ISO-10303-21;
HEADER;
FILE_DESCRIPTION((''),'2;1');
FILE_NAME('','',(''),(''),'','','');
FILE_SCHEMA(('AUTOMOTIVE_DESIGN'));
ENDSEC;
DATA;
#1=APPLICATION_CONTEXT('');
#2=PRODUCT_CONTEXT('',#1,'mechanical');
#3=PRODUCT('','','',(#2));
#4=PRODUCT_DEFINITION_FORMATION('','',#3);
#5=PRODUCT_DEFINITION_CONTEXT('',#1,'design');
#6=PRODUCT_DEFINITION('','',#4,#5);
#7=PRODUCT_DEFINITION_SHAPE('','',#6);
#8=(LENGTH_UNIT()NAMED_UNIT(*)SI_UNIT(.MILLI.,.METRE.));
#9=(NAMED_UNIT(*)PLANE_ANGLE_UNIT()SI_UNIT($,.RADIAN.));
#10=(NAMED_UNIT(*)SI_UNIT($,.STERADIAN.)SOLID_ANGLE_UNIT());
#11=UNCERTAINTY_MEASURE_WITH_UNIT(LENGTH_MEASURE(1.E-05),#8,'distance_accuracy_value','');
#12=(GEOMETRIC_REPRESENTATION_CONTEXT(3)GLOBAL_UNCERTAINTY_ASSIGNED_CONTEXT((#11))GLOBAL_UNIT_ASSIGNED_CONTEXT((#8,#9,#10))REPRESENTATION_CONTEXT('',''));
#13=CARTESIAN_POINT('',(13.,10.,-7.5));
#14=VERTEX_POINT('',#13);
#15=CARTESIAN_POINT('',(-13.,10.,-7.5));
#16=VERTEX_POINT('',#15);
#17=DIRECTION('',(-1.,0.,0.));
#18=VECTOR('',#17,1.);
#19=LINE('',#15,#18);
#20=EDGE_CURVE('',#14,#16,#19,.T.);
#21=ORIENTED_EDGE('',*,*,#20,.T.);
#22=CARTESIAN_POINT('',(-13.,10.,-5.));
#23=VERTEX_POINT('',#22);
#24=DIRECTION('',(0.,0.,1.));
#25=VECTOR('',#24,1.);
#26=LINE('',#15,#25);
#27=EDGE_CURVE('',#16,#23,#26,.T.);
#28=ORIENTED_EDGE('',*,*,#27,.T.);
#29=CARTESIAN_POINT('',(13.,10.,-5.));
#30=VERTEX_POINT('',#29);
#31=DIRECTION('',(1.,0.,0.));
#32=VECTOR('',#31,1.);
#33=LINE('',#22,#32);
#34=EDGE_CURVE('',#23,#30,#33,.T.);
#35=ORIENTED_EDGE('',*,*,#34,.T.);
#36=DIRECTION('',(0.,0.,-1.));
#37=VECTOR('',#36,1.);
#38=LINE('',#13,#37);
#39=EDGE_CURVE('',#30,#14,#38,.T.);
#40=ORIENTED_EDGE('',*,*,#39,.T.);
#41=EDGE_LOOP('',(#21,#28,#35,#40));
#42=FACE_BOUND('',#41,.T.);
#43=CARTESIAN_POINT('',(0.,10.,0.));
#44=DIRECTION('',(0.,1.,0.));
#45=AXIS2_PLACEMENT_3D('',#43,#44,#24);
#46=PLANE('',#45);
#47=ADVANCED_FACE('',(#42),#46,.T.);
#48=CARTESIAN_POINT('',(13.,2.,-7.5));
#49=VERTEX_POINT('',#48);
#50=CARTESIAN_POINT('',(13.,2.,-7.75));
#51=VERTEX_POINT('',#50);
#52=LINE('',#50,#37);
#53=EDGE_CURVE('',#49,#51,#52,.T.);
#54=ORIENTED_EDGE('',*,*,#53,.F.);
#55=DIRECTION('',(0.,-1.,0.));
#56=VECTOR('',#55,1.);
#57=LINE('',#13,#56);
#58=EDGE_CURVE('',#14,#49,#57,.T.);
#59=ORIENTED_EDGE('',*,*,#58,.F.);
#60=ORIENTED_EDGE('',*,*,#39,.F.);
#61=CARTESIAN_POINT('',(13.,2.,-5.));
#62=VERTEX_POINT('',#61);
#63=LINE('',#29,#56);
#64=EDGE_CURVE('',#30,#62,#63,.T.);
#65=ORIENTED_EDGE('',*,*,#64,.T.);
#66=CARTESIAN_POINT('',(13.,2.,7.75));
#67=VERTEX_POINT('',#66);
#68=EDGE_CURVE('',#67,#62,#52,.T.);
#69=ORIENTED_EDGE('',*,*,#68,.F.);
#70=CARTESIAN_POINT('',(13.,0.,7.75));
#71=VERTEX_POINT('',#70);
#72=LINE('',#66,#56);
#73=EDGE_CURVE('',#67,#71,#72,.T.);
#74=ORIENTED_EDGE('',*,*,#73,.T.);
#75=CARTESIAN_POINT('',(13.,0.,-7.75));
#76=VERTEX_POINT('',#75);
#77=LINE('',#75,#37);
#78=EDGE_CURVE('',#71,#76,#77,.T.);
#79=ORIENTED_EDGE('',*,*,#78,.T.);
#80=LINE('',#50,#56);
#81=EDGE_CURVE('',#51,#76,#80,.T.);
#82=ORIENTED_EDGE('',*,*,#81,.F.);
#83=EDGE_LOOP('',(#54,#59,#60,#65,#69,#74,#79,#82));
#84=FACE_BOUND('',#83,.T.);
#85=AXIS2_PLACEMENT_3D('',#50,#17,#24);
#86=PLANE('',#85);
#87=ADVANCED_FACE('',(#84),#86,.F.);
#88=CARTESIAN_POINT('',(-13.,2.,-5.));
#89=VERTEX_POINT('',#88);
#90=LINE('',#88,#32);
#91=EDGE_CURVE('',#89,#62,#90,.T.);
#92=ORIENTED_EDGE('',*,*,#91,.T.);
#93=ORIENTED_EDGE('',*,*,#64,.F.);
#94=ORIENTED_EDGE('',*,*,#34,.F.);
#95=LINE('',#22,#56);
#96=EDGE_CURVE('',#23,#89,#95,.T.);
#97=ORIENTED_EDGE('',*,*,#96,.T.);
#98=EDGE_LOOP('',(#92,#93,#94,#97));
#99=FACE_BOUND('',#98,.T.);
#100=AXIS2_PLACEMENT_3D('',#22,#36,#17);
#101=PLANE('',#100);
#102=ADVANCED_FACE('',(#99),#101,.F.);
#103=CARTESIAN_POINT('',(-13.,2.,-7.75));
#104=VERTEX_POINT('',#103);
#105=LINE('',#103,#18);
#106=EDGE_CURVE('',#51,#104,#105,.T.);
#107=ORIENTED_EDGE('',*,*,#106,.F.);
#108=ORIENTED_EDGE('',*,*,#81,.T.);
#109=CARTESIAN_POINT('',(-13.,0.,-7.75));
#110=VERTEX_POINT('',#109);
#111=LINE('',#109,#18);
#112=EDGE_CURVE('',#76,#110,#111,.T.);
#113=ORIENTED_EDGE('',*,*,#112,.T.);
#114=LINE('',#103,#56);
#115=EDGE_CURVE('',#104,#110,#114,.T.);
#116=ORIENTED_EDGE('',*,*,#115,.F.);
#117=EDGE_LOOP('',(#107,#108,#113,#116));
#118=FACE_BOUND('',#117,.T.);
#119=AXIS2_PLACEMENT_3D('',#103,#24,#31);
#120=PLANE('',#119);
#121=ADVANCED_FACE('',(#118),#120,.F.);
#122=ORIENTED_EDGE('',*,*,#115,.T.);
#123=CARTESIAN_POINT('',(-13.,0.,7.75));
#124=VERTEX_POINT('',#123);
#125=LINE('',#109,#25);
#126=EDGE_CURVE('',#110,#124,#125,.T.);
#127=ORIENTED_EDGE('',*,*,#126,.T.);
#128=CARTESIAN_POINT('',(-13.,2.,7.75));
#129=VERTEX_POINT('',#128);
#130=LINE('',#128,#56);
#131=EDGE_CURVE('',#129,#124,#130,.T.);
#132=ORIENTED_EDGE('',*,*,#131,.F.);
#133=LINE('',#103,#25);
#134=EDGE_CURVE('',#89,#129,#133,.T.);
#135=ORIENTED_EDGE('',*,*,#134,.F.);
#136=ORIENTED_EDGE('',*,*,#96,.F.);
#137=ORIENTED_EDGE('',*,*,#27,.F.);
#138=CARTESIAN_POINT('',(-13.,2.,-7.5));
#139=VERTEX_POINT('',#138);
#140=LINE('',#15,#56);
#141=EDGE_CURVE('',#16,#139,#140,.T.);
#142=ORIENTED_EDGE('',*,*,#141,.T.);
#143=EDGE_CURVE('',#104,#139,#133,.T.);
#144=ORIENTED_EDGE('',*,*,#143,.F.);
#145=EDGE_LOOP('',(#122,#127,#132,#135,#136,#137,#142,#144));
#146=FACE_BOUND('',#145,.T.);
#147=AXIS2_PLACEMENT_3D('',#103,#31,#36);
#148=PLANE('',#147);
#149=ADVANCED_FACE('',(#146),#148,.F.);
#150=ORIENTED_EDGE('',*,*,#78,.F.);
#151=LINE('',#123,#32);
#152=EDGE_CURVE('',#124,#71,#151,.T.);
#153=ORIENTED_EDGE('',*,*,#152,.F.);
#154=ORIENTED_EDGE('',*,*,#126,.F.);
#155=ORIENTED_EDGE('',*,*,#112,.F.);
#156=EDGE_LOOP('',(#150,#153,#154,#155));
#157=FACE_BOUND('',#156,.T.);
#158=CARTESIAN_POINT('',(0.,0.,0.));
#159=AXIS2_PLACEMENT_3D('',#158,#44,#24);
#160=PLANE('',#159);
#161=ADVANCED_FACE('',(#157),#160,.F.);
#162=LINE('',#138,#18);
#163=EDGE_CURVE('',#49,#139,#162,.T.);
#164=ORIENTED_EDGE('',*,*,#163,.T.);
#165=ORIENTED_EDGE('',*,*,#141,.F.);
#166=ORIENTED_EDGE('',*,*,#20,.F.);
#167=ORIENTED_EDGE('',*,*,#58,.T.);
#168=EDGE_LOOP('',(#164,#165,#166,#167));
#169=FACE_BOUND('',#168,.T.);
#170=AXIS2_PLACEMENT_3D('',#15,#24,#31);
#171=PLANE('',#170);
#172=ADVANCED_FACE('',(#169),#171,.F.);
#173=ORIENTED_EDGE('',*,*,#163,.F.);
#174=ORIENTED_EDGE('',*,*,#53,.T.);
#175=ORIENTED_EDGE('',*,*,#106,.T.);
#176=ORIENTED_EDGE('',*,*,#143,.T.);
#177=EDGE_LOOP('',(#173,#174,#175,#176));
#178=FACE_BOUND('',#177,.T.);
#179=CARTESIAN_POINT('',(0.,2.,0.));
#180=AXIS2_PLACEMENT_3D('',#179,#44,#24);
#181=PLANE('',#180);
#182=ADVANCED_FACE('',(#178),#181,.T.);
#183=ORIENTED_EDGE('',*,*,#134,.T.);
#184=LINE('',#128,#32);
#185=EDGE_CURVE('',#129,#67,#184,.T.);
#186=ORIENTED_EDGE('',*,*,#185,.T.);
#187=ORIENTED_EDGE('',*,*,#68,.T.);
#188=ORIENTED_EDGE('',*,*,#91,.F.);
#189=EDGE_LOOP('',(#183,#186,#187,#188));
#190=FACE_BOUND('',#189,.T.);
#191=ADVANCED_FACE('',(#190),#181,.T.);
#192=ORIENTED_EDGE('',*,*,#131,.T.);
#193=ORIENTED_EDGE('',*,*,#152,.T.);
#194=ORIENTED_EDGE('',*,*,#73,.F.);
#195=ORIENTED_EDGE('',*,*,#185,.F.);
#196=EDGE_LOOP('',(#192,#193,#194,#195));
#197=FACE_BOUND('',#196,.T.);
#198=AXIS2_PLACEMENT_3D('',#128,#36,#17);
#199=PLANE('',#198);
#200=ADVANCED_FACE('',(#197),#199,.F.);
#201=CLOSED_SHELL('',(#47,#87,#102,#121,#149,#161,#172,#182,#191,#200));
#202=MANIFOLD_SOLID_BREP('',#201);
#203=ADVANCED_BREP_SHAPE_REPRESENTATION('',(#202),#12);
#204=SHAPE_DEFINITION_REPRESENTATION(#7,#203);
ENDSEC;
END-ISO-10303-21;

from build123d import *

# Parameters (mm, degrees)
SKETCH1_W           = 26
SKETCH1_H           = 15.5
BOSS_EXTRUDE1_DEPTH = 2
SKETCH3_W           = 26
SKETCH3_H           = 2.5
BOSS_EXTRUDE2_DEPTH = 8


with BuildPart() as part:
    # Sketch1 → Boss-Extrude1 (new body)
    with BuildSketch(Plane(origin=(0, 0, 0), x_dir=(1, 0, 0), z_dir=(0, 1, 0))):
        Rectangle(SKETCH1_W, SKETCH1_H)
    extrude(amount=BOSS_EXTRUDE1_DEPTH)

    # Sketch3 → Boss-Extrude2 (add)
    with BuildSketch(Plane(origin=(0, 2, 0), x_dir=(1, 0, 0), z_dir=(0, 1, 0))):
        with Locations((0, 6.25)):
            Rectangle(SKETCH3_W, SKETCH3_H)
    extrude(amount=BOSS_EXTRUDE2_DEPTH)


solid = part.part
